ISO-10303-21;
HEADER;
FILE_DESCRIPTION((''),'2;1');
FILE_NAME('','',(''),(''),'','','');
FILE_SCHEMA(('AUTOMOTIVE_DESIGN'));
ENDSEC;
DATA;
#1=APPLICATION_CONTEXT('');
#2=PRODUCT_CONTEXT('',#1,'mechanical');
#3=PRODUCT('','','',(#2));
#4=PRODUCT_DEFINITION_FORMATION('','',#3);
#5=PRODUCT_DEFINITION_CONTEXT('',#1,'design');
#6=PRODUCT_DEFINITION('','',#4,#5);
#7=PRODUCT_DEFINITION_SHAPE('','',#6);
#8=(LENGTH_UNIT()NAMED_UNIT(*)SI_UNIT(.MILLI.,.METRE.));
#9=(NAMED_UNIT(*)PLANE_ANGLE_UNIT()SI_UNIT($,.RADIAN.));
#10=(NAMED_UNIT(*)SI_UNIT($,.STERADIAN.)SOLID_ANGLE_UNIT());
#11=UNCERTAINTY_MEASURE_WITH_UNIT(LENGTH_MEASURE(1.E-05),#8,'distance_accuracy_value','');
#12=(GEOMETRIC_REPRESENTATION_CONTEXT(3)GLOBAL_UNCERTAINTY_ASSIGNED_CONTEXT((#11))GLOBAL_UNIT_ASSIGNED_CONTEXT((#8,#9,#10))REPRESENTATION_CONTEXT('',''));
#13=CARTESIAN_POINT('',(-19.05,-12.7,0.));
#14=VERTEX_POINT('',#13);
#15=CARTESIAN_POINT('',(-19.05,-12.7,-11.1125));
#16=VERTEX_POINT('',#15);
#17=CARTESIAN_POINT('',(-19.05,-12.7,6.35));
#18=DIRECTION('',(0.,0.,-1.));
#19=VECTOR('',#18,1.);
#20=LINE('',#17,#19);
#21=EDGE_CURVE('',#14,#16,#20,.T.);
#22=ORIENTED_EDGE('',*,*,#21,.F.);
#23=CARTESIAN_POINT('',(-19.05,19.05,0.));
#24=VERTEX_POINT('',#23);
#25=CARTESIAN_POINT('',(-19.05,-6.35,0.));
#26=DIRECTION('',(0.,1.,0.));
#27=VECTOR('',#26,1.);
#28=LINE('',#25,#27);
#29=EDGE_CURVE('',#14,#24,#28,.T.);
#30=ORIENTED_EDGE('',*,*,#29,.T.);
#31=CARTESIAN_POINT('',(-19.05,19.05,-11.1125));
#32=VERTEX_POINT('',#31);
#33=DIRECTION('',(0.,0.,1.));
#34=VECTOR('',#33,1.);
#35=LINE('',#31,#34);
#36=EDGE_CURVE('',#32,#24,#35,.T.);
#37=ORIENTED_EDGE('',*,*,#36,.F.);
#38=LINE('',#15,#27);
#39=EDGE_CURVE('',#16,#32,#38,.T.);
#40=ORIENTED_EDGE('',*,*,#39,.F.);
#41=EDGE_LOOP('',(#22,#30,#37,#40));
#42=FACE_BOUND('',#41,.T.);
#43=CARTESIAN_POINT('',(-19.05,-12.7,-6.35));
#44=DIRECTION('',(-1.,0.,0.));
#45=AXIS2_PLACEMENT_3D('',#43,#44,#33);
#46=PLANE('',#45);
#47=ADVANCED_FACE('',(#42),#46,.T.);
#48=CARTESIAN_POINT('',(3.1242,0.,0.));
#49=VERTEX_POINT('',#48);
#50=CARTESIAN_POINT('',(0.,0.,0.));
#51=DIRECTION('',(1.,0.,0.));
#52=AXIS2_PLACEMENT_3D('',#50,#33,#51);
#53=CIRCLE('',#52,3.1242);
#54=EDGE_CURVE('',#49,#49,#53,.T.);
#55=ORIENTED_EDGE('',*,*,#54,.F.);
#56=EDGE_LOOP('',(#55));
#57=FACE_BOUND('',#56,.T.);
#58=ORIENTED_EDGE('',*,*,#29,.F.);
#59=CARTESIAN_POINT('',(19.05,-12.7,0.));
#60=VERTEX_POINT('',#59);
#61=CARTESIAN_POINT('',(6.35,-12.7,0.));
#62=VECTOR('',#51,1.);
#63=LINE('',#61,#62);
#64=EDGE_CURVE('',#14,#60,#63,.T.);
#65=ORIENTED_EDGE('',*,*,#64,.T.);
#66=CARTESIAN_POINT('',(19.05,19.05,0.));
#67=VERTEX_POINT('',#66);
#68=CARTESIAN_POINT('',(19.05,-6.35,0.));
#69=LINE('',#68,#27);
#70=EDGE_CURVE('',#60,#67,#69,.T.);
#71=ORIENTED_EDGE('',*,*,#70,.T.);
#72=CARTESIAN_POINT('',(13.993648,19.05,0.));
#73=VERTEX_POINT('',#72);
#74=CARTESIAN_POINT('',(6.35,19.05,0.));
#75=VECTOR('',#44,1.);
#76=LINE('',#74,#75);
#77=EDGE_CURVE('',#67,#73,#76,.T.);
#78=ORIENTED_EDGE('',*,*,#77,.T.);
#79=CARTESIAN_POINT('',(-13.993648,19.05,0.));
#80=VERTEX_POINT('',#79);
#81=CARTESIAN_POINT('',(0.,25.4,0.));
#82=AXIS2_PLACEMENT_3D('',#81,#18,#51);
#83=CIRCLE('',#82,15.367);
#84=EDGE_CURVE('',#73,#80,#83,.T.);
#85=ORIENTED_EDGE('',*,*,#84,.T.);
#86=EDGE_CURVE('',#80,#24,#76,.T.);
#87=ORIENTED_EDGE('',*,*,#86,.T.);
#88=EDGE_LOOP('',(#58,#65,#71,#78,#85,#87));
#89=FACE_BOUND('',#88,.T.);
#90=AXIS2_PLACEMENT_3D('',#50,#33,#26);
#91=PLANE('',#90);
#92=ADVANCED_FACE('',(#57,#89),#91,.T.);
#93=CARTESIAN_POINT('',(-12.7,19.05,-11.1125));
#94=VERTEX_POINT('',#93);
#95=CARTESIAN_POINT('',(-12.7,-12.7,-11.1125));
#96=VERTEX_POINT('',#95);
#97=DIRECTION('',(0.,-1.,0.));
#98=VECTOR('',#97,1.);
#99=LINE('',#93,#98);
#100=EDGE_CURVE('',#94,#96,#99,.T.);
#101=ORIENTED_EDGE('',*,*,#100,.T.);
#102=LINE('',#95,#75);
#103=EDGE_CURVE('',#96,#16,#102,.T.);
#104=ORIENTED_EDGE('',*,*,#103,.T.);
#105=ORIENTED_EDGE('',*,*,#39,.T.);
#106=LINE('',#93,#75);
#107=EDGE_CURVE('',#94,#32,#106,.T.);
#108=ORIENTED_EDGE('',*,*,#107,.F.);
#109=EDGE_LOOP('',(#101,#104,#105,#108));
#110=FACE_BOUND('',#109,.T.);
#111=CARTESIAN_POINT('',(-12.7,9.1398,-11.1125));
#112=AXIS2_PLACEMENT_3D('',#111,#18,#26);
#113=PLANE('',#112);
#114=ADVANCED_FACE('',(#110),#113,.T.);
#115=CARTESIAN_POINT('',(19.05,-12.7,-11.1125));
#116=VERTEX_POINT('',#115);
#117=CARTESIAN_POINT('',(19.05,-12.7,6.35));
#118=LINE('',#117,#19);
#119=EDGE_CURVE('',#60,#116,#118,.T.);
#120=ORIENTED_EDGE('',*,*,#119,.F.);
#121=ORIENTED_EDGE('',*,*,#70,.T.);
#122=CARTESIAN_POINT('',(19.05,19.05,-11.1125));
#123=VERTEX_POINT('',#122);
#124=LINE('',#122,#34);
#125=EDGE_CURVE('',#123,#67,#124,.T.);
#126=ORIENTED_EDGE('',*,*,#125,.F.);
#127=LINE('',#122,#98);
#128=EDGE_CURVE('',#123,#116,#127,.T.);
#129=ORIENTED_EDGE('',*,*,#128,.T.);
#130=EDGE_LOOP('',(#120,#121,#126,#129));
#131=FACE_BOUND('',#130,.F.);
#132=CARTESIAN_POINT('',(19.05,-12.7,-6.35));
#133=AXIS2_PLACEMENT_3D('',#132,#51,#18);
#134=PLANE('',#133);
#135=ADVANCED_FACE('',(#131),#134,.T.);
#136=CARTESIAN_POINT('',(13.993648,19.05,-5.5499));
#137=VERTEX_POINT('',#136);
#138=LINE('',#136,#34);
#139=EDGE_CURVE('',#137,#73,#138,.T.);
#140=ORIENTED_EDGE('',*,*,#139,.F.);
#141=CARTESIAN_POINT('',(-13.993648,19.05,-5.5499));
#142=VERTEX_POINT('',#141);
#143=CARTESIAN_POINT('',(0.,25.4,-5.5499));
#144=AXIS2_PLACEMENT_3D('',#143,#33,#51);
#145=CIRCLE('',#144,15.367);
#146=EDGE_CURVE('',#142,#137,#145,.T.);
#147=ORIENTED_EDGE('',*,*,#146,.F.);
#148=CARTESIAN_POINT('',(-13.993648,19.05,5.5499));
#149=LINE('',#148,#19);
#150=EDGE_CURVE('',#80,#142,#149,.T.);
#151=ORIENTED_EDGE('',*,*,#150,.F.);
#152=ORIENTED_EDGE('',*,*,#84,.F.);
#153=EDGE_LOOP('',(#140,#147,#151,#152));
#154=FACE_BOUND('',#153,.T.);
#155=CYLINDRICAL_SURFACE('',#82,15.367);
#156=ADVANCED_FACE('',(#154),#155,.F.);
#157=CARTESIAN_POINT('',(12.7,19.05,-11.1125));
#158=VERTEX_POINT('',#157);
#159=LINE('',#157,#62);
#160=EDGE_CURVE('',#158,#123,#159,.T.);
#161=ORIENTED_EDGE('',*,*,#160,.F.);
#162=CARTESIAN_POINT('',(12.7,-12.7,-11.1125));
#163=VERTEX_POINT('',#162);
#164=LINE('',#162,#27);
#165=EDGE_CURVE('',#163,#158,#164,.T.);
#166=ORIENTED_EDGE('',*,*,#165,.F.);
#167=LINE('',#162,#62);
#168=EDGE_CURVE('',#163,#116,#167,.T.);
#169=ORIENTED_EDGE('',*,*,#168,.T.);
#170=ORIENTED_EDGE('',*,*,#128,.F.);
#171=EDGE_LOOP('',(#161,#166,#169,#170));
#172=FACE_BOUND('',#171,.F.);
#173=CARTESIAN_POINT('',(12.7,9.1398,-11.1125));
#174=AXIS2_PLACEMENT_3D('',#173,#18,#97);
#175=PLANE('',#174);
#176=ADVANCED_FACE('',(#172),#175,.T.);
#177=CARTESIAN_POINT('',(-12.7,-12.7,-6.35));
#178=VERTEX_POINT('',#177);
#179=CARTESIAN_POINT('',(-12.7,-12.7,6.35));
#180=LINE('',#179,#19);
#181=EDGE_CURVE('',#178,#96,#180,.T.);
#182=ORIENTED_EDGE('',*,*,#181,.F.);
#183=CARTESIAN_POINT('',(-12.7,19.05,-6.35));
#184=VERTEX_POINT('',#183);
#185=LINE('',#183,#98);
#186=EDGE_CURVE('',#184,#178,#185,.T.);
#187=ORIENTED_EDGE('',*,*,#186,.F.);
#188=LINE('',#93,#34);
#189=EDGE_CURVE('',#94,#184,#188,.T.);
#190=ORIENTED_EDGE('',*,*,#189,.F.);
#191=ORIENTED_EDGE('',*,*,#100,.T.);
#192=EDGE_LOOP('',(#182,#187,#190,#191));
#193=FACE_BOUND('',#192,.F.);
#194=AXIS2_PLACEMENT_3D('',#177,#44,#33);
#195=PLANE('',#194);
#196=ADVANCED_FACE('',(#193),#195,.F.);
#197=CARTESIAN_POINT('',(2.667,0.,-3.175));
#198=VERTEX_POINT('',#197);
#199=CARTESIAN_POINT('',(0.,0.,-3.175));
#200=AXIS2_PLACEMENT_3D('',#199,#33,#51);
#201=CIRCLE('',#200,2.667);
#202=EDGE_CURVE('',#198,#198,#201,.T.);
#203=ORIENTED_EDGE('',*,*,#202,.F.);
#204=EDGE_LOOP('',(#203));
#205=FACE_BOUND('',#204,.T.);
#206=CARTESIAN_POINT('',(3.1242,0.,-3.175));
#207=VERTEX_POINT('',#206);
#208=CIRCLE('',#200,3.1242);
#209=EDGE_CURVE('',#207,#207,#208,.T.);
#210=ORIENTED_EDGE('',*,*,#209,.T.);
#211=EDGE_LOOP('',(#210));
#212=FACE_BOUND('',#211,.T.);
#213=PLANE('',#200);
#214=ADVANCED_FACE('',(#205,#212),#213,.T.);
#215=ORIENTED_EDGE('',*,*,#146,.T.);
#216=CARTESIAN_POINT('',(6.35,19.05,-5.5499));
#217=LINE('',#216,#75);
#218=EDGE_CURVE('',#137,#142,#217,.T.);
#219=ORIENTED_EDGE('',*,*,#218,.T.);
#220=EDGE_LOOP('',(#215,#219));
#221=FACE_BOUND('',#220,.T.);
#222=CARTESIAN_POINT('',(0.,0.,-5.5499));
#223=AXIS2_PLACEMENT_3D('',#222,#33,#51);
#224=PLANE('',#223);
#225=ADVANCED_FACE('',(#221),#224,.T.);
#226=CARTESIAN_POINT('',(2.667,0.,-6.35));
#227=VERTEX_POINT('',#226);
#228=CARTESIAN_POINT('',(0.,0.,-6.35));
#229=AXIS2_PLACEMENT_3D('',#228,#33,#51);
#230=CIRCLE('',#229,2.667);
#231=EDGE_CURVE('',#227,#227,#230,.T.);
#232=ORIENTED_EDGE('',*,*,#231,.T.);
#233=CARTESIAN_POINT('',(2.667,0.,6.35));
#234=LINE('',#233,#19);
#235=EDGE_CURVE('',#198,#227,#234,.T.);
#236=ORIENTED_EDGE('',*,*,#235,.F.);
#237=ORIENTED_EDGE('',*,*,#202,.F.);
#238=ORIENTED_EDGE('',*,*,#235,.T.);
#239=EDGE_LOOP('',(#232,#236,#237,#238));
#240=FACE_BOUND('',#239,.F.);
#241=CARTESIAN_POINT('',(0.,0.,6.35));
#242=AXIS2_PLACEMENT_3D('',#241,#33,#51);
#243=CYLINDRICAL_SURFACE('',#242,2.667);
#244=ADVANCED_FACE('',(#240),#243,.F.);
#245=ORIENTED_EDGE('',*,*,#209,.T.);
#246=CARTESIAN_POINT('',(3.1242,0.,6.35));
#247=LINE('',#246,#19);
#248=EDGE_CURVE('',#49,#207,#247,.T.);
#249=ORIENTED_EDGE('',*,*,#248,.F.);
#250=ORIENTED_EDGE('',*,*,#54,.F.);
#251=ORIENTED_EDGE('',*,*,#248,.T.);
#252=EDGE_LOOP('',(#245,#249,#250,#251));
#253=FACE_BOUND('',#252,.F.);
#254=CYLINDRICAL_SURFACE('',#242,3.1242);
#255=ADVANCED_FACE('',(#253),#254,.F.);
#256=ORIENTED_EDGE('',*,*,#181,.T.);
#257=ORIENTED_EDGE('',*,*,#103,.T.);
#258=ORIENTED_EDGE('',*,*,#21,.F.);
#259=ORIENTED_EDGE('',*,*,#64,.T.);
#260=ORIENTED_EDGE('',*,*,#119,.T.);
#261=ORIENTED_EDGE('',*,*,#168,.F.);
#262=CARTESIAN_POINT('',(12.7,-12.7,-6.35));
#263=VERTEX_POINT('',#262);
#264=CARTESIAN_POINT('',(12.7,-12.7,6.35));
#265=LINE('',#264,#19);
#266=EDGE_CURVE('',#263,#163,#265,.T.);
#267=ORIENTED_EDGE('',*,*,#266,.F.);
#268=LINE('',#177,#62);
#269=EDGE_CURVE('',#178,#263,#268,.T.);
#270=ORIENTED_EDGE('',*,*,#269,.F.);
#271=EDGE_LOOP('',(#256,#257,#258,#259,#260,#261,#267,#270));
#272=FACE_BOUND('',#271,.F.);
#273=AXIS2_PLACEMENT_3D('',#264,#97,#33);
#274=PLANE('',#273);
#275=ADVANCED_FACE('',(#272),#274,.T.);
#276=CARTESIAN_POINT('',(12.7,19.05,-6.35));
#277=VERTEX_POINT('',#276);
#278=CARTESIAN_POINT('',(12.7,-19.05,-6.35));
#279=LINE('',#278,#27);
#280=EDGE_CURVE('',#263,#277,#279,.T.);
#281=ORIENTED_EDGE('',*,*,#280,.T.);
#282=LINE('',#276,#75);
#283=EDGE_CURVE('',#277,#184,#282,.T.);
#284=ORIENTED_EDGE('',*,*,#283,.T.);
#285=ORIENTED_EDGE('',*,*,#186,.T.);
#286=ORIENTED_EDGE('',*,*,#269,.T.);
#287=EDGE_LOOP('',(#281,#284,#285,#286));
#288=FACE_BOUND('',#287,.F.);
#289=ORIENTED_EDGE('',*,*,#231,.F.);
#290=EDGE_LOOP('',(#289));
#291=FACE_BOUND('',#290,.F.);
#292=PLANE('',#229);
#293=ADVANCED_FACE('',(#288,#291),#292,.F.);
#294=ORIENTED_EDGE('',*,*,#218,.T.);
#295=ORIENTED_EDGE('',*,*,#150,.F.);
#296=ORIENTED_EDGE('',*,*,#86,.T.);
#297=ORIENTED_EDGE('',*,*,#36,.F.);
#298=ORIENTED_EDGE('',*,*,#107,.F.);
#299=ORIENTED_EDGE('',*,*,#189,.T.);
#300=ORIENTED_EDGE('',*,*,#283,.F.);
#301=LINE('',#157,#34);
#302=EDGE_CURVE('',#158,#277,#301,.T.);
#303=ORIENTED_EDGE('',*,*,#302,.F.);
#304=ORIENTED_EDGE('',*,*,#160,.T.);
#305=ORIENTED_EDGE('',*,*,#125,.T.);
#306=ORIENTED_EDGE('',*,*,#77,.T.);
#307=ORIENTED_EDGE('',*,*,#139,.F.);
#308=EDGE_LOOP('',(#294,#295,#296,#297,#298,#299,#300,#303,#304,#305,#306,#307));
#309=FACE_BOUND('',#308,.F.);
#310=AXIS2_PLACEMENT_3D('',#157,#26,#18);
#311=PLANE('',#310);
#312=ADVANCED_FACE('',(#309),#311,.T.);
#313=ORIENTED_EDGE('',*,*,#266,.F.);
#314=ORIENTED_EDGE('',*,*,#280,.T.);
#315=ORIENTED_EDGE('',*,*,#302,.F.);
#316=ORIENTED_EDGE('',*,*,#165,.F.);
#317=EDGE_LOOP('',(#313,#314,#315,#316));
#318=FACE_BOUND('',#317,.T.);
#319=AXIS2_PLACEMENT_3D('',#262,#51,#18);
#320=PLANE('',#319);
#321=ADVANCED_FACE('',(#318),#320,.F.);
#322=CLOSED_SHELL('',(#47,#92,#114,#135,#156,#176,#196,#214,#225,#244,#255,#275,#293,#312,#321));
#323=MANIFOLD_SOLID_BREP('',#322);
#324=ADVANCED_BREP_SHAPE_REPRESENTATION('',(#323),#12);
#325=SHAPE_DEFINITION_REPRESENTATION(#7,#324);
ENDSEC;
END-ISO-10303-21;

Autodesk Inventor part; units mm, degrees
ref_plane "YZ Plane" through (0, 0, 0) normal (1, 0, 0) x (0, 1, 0)
ref_plane "XZ Plane" through (0, 0, 0) normal (0, 1, 0) x (-1, 0, 0)
sketch "Sketch3" plane through (0, 0, 0) normal (0, 0, 1) x (1, 0, 0)
  line L0 (-12.7, -19.05) -> (12.7, -19.05)
  line L1 (12.7, -19.05) -> (12.7, 19.05)
  line L2 (12.7, 19.05) -> (-12.7, 19.05)
  line L3 (-12.7, 19.05) -> (-12.7, -19.05)
  line L4 (-12.7, -19.05) -> (12.7, 19.05) construction
  line L5 (12.7, -19.05) -> (-12.7, 19.05) construction
  point P0 (0, 0)
  dimension "d0" = 25.4
  dimension "d1" = 38.1
extrude "Extrusion1" add sketch "Sketch3" along normal mid plane 12.7
sketch "Sketch4" plane through (0, 0, 6.35) normal (0, 0, 1) x (1, 0, 0)
  circle A0 centre (0, 0) radius 2.667
  dimension "d4" = 5.334
extrude "Extrusion2" cut sketch "Sketch4" against normal through all
sketch "Sketch5" plane through (-12.7, -19.05, 6.35) normal (-1, 0, 0) x (0, 0, 1)
  line L0 (3.175, 6.35) -> (50.8, 6.35) projected
  line L1 (-12.7, 38.1) -> (-12.7, 0) projected
  line L2 (0, 0) -> (0, 38.1) projected
  line L3 (-12.7, 0) -> (0, 0)
  line L4 (0, 0) -> (0, 6.35)
  line L5 (0, 6.35) -> (-12.7, 6.35)
  line L6 (-12.7, 6.35) -> (-12.7, 0)
  point P0 (-6.35, 19.05)
  point P1 (-12.7, 6.35)
  dimension "d9" = 6.35
extrude "Extrusion3" cut sketch "Sketch5" against normal through all
sketch "Sketch8" plane through (-12.7, -12.7, -6.35) normal (-1, 0, 0) x (0, 0, 1)
  line L0 (-4.7625, 21.8398) -> (-4.7625, 13.2284) projected
  line L1 (12.7, 0) -> (12.7, 31.75) projected
  line L2 (12.7, 0) -> (-4.7625, 0)
  line L3 (-4.7625, 0) -> (-4.7625, 31.75)
  line L4 (-4.7625, 31.75) -> (12.7, 31.75)
  line L5 (12.7, 31.75) -> (12.7, 0)
  point P0 (6.35, 12.7)
  point P1 (-4.7625, 13.2284)
extrude "Extrusion5" add sketch "Sketch8" along normal blind 6.35
mirror "Mirror1" about plane through (0, 0, 0) normal (1, 0, 0) of "Extrusion5"
sketch "Sketch6" plane through (0, 0, 0) normal (0, 0, 1) x (1, 0, 0)
  circle A0 centre (0, 25.4) radius 15.367
  point P0 (0, 0)
  dimension "d10" = 25.4
  dimension "d13" = 30.734
extrude "cutOutForGuide" cut sketch "Sketch6" along normal mid plane 11.0998
sketch "Sketch9" plane through (0, 0, 6.35) normal (0, 0, 1) x (1, 0, 0)
  circle A0 centre (0, 0) radius 3.1242
  dimension "d16" = 6.2484
extrude "Extrusion6" cut sketch "Sketch9" against normal blind 9.525
split "Split1" plane through (0, 0, 0) removes the side toward (0, 0, 1)
properties part number "preventWireJumpingSingleSupportSliceB" material "PBT Plastic"
